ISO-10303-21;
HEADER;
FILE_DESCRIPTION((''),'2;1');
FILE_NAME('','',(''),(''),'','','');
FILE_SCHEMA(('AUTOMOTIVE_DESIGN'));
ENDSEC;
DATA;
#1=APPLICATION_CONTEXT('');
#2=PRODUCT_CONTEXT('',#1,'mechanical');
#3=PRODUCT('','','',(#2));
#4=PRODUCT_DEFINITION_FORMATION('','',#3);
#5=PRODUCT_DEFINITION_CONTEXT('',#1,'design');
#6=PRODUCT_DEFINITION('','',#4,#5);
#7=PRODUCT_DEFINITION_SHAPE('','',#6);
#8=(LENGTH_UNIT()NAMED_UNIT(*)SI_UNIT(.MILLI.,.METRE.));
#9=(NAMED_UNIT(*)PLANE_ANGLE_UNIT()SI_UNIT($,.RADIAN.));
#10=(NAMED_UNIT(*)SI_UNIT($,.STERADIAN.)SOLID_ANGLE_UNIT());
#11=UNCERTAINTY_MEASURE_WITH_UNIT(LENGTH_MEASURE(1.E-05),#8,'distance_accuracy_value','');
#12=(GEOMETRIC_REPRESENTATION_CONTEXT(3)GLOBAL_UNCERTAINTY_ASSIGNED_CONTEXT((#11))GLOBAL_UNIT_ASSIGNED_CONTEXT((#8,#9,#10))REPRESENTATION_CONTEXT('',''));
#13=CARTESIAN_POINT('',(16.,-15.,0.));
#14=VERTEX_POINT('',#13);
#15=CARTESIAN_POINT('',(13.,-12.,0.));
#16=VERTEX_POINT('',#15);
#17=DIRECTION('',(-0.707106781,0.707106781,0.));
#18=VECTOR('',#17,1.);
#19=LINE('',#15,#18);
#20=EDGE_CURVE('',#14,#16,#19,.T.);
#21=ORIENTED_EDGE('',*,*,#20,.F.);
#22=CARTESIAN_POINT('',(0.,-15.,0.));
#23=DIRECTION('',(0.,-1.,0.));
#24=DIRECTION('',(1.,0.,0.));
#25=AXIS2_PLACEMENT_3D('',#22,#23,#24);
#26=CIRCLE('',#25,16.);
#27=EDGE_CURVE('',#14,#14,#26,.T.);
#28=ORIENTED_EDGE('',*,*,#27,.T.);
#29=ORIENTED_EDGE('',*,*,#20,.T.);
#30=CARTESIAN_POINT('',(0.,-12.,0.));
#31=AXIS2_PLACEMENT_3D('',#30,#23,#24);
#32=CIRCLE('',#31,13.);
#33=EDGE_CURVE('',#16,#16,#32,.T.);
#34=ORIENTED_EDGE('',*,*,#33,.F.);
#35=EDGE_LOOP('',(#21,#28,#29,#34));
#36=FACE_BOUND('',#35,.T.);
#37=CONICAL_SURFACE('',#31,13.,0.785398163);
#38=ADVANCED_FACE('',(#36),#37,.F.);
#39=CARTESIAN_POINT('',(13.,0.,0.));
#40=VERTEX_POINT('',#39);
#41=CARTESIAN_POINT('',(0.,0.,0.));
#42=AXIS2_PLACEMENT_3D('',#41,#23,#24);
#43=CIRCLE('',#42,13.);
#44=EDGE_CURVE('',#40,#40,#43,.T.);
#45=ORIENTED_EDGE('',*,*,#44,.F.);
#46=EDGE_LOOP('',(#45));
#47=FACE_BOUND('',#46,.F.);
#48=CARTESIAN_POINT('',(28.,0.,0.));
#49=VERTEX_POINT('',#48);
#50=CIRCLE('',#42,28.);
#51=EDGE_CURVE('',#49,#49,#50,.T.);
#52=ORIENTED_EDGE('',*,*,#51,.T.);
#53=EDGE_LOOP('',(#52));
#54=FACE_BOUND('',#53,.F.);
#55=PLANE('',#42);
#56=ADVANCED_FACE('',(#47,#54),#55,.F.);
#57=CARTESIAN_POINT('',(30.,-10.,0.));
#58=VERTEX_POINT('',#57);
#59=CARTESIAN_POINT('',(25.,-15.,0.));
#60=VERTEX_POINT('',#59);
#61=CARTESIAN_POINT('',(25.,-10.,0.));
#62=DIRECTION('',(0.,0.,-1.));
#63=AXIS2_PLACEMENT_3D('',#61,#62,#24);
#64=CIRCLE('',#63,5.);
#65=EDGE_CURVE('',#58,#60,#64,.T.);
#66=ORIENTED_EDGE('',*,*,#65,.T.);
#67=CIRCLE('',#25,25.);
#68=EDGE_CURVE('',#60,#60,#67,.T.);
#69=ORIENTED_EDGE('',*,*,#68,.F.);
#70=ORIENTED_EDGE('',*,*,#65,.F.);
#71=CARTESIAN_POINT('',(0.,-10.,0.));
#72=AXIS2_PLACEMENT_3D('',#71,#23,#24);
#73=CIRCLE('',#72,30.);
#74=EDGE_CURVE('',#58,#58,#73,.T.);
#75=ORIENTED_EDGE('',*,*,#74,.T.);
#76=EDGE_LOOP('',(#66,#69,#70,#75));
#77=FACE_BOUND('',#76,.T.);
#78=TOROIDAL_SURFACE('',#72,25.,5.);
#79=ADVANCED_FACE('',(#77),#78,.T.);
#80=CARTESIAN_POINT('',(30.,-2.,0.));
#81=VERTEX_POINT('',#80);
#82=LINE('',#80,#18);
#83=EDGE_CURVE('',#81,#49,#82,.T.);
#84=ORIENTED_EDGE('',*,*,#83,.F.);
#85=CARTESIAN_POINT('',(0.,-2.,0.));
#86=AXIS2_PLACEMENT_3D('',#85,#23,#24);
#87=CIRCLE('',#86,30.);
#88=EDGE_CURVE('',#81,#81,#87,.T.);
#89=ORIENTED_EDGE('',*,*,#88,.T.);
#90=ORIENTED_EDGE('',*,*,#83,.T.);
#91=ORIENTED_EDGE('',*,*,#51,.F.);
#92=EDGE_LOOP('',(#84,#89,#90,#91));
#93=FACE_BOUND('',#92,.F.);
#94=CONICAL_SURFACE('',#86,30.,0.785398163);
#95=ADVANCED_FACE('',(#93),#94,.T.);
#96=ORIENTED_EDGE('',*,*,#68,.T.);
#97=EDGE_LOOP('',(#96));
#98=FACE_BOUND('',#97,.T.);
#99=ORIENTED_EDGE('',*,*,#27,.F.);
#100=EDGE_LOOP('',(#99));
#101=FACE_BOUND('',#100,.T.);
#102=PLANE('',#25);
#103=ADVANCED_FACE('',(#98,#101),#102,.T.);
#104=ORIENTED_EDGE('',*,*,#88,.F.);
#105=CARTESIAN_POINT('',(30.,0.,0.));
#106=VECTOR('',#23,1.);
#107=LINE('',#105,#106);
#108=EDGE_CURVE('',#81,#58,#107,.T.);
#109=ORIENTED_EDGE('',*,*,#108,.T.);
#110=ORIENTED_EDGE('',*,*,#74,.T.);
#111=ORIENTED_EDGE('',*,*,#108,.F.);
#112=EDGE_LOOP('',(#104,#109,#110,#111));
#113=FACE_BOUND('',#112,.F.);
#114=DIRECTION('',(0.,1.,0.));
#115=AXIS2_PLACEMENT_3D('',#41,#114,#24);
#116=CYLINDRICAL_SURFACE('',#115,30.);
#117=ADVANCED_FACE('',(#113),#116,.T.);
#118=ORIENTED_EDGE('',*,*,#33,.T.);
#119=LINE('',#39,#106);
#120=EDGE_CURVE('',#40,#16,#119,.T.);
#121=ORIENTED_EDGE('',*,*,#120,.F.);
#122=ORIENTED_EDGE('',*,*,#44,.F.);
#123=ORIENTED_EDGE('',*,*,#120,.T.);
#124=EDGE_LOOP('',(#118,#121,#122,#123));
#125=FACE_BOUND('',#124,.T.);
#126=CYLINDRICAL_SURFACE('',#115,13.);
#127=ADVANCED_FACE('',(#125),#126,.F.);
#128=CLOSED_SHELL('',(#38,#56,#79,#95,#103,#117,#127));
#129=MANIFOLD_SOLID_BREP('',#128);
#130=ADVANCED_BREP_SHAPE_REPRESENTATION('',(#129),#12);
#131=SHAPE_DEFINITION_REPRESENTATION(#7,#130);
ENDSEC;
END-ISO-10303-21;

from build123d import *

# Parameters (mm, degrees)
F0_R     = 30
F0_R_2   = 13
F1_DEPTH = 15
F2_R     = 5
F3_SIZE  = 3
F4_SIZE  = 2


with BuildPart() as f1:
    # F0 (on Front) → F1 (new body)
    with BuildSketch(Plane.XZ):
        Circle(F0_R)
        Circle(F0_R_2, mode=Mode.SUBTRACT)
    extrude(amount=F1_DEPTH)

    # F2
    f2_edges = [f1.edges().sort_by_distance(p)[0] for p in [
        (-30, -15, 0),
    ]]
    fillet(f2_edges, radius=F2_R)

    # F3
    f3_edges = [f1.edges().sort_by_distance(p)[0] for p in [
        (-13, -15, 0),
    ]]
    chamfer(f3_edges, length=F3_SIZE)

    # F4
    f4_edges = [f1.edges().sort_by_distance(p)[0] for p in [
        (-30, 0, 0),
    ]]
    chamfer(f4_edges, length=F4_SIZE)


solid = f1.part
